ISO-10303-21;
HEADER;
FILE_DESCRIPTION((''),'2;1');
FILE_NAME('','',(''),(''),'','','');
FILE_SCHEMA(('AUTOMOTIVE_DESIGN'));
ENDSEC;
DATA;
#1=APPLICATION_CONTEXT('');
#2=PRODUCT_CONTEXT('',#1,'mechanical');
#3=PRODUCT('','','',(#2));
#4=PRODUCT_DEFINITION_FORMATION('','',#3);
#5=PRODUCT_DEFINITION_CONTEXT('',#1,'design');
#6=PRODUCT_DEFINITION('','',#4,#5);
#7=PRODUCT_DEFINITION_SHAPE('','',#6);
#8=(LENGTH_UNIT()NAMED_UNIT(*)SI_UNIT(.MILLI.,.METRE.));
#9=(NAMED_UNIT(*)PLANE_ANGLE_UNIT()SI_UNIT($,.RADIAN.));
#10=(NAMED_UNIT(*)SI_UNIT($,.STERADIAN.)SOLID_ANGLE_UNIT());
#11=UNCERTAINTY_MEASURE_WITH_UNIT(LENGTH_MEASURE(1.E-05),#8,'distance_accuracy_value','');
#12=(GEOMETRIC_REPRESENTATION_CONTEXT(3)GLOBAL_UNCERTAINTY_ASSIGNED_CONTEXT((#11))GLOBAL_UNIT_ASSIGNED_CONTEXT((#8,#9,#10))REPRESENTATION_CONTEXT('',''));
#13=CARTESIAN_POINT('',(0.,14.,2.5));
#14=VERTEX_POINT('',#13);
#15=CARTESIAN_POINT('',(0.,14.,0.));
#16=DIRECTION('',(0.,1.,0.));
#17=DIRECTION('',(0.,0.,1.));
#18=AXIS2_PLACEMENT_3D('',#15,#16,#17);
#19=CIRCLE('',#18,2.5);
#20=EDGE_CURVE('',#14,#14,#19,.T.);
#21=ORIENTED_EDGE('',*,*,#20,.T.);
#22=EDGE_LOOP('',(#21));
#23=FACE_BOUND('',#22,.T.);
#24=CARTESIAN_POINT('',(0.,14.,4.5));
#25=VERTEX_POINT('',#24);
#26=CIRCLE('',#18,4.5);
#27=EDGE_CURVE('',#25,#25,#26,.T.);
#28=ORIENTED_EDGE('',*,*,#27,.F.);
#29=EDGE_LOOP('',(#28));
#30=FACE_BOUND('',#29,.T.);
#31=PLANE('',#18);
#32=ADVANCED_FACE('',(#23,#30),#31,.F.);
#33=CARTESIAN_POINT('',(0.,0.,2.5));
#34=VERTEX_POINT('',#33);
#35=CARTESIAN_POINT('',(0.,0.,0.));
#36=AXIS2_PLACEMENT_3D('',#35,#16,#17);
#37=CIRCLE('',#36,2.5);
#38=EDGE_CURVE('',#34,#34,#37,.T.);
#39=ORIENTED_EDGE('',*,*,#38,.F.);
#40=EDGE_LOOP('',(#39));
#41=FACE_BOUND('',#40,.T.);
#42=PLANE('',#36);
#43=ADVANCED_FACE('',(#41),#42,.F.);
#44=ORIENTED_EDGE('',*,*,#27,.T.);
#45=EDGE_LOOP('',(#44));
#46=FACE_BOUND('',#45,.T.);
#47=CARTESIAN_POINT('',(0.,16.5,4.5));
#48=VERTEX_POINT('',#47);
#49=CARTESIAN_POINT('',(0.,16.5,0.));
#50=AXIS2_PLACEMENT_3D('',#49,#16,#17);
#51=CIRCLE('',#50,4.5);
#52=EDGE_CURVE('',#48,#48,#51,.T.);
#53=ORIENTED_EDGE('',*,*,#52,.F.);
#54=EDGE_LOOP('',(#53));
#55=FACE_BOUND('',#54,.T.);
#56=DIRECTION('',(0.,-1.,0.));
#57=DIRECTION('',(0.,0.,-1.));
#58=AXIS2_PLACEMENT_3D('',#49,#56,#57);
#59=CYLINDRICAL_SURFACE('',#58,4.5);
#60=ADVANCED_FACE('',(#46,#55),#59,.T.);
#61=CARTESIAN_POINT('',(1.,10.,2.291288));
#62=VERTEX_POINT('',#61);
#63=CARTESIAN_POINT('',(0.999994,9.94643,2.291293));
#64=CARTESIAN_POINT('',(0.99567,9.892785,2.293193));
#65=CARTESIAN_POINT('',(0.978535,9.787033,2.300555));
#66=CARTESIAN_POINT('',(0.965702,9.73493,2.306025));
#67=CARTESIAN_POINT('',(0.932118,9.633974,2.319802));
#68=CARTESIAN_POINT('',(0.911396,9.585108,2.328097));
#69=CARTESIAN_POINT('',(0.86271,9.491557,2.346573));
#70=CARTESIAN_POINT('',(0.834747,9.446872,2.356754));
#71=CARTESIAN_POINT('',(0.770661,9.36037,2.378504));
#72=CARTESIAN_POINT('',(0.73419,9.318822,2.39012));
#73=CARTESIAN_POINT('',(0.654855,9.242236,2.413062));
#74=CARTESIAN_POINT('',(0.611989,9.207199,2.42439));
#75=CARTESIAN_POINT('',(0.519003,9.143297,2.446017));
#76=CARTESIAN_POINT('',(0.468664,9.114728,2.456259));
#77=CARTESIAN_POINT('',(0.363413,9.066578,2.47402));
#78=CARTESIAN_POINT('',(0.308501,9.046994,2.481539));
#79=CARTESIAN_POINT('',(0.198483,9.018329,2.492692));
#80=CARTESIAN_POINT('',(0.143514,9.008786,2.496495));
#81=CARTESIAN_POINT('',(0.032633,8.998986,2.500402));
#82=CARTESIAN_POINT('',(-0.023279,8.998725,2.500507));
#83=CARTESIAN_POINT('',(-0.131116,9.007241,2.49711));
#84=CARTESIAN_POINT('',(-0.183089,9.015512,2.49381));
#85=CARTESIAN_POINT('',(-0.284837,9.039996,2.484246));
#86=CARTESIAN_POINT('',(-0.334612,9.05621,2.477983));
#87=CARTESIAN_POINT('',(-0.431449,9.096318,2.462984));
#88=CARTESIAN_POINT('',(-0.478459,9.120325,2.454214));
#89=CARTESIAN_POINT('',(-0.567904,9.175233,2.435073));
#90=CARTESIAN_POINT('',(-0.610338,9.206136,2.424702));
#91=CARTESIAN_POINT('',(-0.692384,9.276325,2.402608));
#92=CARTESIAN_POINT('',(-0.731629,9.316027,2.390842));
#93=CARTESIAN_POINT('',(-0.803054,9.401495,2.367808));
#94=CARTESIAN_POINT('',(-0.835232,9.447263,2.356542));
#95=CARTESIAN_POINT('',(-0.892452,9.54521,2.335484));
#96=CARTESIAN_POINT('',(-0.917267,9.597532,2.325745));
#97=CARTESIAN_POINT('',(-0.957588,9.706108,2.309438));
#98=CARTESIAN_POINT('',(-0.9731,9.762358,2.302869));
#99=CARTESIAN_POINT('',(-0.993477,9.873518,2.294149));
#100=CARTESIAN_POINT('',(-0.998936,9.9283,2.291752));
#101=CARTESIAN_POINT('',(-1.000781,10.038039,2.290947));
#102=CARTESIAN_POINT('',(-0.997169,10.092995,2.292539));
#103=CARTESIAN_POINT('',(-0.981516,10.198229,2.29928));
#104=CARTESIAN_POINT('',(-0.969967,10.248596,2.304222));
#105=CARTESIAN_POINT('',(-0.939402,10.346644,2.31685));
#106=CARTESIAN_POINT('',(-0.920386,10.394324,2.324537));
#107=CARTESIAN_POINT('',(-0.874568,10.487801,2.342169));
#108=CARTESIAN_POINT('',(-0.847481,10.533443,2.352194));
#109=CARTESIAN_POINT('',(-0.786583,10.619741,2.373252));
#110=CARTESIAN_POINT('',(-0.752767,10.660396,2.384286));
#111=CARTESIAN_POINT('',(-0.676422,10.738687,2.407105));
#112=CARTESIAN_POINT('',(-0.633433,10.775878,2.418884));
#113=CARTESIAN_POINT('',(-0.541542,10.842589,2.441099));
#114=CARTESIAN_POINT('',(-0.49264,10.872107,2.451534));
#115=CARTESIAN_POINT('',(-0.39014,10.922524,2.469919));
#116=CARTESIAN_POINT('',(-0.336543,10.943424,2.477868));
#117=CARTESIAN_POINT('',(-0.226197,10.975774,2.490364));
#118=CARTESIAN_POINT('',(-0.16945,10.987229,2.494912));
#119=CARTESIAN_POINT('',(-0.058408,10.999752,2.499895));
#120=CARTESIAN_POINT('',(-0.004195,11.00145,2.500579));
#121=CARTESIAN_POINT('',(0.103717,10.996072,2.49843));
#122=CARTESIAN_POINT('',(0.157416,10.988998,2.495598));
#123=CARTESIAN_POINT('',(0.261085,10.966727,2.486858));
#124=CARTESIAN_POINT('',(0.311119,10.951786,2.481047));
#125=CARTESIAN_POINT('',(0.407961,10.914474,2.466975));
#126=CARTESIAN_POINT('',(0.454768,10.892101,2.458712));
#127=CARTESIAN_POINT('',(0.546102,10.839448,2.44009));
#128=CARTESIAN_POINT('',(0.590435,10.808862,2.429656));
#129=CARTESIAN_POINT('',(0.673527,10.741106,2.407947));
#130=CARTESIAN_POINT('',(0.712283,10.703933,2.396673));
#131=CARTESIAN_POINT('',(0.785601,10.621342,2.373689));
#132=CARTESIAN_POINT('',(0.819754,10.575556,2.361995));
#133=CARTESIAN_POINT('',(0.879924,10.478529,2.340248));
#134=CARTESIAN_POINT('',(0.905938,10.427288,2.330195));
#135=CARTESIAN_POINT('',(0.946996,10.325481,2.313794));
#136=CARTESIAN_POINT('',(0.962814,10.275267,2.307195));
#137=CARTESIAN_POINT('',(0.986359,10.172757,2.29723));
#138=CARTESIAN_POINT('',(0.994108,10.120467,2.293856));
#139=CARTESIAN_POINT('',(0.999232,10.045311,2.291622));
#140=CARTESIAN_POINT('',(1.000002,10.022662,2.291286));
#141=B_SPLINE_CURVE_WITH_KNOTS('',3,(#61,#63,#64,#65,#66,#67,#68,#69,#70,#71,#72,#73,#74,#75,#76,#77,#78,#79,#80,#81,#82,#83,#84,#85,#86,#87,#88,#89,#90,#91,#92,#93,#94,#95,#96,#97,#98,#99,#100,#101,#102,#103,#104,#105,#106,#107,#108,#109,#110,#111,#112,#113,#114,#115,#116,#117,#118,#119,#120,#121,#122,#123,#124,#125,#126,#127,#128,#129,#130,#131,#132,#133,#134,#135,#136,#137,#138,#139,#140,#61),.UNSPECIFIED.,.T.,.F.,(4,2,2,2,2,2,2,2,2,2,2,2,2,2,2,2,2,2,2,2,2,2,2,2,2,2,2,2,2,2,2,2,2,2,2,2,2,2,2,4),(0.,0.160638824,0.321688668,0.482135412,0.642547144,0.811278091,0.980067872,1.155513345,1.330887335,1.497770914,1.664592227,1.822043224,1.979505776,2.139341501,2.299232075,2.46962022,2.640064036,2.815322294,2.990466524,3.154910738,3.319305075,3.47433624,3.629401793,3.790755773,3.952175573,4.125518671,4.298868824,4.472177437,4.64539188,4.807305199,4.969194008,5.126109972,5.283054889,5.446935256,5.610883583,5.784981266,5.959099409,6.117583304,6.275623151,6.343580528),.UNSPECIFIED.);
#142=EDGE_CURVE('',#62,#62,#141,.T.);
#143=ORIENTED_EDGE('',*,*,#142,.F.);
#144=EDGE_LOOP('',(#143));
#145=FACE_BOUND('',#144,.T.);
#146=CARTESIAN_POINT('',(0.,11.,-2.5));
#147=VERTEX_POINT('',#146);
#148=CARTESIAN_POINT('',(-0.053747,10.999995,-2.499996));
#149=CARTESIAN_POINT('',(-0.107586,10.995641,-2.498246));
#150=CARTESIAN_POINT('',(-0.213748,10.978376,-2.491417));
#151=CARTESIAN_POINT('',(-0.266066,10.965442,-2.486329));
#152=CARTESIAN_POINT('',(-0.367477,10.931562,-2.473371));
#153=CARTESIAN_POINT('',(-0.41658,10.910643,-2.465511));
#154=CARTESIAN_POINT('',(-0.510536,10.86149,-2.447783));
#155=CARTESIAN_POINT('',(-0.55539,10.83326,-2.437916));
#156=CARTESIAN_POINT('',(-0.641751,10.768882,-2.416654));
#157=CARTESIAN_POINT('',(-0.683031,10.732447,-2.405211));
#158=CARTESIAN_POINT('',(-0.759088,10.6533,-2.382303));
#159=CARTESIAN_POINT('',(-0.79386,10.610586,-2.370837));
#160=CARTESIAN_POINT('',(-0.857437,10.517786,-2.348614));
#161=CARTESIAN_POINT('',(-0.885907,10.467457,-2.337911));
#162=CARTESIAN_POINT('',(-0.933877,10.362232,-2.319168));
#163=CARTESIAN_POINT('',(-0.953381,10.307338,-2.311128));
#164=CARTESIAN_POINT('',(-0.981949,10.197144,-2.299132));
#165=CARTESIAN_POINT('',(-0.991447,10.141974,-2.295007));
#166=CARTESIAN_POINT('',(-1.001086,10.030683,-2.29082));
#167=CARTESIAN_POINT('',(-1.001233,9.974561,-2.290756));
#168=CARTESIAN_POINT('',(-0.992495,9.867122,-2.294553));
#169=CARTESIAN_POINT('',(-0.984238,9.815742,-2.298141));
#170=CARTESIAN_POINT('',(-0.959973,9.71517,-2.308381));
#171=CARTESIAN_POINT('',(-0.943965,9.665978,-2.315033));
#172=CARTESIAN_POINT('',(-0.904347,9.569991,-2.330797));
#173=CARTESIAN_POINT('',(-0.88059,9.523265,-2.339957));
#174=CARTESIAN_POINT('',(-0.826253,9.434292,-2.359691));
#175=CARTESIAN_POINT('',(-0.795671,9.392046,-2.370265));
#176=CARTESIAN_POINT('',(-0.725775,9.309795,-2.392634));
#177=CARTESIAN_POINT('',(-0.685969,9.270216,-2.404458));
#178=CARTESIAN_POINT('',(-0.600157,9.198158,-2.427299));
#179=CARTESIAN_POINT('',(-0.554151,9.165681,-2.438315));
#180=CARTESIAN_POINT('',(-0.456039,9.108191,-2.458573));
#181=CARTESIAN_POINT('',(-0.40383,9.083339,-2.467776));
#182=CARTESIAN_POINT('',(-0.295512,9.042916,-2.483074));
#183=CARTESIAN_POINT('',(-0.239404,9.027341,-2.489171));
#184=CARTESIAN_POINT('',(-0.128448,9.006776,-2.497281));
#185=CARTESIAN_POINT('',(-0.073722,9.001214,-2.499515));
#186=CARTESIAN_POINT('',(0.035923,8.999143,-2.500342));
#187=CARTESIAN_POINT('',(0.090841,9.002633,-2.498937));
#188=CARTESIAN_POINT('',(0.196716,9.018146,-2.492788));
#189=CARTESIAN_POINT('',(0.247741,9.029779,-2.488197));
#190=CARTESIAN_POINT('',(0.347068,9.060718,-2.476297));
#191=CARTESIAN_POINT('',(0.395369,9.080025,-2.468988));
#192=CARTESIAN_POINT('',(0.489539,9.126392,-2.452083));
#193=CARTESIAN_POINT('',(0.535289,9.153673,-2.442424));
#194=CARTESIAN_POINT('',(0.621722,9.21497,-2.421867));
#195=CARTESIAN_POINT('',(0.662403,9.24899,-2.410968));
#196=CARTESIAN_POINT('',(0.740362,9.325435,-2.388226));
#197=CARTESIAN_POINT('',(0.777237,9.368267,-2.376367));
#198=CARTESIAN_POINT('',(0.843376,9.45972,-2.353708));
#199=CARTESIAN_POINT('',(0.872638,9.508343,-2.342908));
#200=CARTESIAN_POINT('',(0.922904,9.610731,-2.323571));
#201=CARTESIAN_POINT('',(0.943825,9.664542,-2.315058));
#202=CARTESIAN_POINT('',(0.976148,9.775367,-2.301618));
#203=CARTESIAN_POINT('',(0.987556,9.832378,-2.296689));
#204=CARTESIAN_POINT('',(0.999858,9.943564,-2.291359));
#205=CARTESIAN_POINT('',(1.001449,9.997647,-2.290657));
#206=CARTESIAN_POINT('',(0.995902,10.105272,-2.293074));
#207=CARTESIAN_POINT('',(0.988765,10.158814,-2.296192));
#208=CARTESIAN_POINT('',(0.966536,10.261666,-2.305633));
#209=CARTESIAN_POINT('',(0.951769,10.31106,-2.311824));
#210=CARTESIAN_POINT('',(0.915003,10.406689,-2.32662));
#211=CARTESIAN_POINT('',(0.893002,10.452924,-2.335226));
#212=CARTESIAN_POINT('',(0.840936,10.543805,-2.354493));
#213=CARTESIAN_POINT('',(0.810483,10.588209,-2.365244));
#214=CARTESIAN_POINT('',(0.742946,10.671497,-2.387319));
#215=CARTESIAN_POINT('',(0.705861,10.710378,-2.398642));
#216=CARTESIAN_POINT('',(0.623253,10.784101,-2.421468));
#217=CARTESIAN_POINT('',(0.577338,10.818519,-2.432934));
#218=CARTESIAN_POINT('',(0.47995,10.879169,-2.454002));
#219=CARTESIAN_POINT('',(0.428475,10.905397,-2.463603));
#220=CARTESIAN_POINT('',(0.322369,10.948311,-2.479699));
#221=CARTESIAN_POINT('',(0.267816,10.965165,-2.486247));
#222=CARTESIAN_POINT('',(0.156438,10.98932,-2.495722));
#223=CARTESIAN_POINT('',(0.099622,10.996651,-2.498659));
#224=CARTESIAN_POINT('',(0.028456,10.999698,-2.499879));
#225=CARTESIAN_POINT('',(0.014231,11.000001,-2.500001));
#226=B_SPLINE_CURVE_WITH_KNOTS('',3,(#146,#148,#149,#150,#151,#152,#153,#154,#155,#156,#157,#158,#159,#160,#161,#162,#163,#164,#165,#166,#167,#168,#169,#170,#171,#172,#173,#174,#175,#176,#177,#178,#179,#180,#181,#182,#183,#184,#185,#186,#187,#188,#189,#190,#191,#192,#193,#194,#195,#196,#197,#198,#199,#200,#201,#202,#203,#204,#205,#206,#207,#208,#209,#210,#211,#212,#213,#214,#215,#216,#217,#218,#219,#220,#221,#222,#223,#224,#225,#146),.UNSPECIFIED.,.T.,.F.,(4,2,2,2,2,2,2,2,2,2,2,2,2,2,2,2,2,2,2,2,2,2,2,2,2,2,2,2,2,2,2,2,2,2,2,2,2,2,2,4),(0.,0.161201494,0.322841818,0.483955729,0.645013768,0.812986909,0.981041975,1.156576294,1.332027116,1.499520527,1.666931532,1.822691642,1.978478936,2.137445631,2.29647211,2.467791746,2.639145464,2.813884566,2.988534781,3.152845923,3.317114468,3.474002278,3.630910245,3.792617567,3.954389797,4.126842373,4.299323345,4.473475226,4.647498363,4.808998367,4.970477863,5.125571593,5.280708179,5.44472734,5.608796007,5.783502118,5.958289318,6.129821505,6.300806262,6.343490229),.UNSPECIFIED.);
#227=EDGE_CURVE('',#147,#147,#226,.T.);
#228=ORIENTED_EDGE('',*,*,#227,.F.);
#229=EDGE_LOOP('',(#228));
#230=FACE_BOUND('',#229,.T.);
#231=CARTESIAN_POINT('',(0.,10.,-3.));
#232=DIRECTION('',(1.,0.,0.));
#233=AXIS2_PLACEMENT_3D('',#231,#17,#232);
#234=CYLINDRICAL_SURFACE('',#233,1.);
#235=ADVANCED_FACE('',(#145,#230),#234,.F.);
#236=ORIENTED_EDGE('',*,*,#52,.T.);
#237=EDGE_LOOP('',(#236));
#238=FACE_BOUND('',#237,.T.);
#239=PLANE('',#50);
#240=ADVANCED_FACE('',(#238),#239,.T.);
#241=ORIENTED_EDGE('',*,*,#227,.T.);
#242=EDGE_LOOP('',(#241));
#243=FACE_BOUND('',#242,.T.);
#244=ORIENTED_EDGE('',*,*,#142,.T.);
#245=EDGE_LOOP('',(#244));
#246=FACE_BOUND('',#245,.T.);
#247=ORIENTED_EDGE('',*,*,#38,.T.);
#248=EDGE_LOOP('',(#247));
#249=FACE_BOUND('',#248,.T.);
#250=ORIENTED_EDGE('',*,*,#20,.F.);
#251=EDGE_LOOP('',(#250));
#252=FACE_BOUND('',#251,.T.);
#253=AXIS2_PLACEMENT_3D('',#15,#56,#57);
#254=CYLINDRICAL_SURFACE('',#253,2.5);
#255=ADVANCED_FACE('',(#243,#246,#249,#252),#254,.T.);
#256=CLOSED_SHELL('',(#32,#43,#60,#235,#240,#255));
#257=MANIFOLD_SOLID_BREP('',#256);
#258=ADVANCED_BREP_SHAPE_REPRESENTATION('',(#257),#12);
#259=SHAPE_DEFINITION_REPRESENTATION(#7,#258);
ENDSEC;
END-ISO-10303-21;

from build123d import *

# Parameters (mm, degrees)
CROQUIS1_R              = 2.5
SALIENTE_EXTRUIR1_DEPTH = 14
CROQUIS2_R              = 4.5
SALIENTE_EXTRUIR2_DEPTH = 2.5
CROQUIS3_R              = 1
CORTAR_EXTRUIR1_DEPTH   = 3


with BuildPart() as part:
    # Croquis1 → Saliente-Extruir1 (new body)
    with BuildSketch(Plane(origin=(0, 0, 0), x_dir=(1, 0, 0), z_dir=(0, 1, 0))):
        with Locations(Location((0, 0, 0), (0, 0, 270))):
            Circle(CROQUIS1_R)
    extrude(amount=SALIENTE_EXTRUIR1_DEPTH)

    # Croquis2 → Saliente-Extruir2 (add)
    with BuildSketch(Plane(origin=(0, 14, 0), x_dir=(1, 0, 0), z_dir=(0, 1, 0))):
        with Locations(Location((0, 0, 0), (0, 0, 270))):
            Circle(CROQUIS2_R)
    extrude(amount=SALIENTE_EXTRUIR2_DEPTH)

    # Croquis3 → Cortar-Extruir1 (cut, symmetric)
    with BuildSketch(Plane.XY):
        with Locations(Location((0, 10, 0), (0, 0, 89.999999999))):
            Circle(CROQUIS3_R)
    extrude(amount=CORTAR_EXTRUIR1_DEPTH, both=True, mode=Mode.SUBTRACT)


solid = part.part
